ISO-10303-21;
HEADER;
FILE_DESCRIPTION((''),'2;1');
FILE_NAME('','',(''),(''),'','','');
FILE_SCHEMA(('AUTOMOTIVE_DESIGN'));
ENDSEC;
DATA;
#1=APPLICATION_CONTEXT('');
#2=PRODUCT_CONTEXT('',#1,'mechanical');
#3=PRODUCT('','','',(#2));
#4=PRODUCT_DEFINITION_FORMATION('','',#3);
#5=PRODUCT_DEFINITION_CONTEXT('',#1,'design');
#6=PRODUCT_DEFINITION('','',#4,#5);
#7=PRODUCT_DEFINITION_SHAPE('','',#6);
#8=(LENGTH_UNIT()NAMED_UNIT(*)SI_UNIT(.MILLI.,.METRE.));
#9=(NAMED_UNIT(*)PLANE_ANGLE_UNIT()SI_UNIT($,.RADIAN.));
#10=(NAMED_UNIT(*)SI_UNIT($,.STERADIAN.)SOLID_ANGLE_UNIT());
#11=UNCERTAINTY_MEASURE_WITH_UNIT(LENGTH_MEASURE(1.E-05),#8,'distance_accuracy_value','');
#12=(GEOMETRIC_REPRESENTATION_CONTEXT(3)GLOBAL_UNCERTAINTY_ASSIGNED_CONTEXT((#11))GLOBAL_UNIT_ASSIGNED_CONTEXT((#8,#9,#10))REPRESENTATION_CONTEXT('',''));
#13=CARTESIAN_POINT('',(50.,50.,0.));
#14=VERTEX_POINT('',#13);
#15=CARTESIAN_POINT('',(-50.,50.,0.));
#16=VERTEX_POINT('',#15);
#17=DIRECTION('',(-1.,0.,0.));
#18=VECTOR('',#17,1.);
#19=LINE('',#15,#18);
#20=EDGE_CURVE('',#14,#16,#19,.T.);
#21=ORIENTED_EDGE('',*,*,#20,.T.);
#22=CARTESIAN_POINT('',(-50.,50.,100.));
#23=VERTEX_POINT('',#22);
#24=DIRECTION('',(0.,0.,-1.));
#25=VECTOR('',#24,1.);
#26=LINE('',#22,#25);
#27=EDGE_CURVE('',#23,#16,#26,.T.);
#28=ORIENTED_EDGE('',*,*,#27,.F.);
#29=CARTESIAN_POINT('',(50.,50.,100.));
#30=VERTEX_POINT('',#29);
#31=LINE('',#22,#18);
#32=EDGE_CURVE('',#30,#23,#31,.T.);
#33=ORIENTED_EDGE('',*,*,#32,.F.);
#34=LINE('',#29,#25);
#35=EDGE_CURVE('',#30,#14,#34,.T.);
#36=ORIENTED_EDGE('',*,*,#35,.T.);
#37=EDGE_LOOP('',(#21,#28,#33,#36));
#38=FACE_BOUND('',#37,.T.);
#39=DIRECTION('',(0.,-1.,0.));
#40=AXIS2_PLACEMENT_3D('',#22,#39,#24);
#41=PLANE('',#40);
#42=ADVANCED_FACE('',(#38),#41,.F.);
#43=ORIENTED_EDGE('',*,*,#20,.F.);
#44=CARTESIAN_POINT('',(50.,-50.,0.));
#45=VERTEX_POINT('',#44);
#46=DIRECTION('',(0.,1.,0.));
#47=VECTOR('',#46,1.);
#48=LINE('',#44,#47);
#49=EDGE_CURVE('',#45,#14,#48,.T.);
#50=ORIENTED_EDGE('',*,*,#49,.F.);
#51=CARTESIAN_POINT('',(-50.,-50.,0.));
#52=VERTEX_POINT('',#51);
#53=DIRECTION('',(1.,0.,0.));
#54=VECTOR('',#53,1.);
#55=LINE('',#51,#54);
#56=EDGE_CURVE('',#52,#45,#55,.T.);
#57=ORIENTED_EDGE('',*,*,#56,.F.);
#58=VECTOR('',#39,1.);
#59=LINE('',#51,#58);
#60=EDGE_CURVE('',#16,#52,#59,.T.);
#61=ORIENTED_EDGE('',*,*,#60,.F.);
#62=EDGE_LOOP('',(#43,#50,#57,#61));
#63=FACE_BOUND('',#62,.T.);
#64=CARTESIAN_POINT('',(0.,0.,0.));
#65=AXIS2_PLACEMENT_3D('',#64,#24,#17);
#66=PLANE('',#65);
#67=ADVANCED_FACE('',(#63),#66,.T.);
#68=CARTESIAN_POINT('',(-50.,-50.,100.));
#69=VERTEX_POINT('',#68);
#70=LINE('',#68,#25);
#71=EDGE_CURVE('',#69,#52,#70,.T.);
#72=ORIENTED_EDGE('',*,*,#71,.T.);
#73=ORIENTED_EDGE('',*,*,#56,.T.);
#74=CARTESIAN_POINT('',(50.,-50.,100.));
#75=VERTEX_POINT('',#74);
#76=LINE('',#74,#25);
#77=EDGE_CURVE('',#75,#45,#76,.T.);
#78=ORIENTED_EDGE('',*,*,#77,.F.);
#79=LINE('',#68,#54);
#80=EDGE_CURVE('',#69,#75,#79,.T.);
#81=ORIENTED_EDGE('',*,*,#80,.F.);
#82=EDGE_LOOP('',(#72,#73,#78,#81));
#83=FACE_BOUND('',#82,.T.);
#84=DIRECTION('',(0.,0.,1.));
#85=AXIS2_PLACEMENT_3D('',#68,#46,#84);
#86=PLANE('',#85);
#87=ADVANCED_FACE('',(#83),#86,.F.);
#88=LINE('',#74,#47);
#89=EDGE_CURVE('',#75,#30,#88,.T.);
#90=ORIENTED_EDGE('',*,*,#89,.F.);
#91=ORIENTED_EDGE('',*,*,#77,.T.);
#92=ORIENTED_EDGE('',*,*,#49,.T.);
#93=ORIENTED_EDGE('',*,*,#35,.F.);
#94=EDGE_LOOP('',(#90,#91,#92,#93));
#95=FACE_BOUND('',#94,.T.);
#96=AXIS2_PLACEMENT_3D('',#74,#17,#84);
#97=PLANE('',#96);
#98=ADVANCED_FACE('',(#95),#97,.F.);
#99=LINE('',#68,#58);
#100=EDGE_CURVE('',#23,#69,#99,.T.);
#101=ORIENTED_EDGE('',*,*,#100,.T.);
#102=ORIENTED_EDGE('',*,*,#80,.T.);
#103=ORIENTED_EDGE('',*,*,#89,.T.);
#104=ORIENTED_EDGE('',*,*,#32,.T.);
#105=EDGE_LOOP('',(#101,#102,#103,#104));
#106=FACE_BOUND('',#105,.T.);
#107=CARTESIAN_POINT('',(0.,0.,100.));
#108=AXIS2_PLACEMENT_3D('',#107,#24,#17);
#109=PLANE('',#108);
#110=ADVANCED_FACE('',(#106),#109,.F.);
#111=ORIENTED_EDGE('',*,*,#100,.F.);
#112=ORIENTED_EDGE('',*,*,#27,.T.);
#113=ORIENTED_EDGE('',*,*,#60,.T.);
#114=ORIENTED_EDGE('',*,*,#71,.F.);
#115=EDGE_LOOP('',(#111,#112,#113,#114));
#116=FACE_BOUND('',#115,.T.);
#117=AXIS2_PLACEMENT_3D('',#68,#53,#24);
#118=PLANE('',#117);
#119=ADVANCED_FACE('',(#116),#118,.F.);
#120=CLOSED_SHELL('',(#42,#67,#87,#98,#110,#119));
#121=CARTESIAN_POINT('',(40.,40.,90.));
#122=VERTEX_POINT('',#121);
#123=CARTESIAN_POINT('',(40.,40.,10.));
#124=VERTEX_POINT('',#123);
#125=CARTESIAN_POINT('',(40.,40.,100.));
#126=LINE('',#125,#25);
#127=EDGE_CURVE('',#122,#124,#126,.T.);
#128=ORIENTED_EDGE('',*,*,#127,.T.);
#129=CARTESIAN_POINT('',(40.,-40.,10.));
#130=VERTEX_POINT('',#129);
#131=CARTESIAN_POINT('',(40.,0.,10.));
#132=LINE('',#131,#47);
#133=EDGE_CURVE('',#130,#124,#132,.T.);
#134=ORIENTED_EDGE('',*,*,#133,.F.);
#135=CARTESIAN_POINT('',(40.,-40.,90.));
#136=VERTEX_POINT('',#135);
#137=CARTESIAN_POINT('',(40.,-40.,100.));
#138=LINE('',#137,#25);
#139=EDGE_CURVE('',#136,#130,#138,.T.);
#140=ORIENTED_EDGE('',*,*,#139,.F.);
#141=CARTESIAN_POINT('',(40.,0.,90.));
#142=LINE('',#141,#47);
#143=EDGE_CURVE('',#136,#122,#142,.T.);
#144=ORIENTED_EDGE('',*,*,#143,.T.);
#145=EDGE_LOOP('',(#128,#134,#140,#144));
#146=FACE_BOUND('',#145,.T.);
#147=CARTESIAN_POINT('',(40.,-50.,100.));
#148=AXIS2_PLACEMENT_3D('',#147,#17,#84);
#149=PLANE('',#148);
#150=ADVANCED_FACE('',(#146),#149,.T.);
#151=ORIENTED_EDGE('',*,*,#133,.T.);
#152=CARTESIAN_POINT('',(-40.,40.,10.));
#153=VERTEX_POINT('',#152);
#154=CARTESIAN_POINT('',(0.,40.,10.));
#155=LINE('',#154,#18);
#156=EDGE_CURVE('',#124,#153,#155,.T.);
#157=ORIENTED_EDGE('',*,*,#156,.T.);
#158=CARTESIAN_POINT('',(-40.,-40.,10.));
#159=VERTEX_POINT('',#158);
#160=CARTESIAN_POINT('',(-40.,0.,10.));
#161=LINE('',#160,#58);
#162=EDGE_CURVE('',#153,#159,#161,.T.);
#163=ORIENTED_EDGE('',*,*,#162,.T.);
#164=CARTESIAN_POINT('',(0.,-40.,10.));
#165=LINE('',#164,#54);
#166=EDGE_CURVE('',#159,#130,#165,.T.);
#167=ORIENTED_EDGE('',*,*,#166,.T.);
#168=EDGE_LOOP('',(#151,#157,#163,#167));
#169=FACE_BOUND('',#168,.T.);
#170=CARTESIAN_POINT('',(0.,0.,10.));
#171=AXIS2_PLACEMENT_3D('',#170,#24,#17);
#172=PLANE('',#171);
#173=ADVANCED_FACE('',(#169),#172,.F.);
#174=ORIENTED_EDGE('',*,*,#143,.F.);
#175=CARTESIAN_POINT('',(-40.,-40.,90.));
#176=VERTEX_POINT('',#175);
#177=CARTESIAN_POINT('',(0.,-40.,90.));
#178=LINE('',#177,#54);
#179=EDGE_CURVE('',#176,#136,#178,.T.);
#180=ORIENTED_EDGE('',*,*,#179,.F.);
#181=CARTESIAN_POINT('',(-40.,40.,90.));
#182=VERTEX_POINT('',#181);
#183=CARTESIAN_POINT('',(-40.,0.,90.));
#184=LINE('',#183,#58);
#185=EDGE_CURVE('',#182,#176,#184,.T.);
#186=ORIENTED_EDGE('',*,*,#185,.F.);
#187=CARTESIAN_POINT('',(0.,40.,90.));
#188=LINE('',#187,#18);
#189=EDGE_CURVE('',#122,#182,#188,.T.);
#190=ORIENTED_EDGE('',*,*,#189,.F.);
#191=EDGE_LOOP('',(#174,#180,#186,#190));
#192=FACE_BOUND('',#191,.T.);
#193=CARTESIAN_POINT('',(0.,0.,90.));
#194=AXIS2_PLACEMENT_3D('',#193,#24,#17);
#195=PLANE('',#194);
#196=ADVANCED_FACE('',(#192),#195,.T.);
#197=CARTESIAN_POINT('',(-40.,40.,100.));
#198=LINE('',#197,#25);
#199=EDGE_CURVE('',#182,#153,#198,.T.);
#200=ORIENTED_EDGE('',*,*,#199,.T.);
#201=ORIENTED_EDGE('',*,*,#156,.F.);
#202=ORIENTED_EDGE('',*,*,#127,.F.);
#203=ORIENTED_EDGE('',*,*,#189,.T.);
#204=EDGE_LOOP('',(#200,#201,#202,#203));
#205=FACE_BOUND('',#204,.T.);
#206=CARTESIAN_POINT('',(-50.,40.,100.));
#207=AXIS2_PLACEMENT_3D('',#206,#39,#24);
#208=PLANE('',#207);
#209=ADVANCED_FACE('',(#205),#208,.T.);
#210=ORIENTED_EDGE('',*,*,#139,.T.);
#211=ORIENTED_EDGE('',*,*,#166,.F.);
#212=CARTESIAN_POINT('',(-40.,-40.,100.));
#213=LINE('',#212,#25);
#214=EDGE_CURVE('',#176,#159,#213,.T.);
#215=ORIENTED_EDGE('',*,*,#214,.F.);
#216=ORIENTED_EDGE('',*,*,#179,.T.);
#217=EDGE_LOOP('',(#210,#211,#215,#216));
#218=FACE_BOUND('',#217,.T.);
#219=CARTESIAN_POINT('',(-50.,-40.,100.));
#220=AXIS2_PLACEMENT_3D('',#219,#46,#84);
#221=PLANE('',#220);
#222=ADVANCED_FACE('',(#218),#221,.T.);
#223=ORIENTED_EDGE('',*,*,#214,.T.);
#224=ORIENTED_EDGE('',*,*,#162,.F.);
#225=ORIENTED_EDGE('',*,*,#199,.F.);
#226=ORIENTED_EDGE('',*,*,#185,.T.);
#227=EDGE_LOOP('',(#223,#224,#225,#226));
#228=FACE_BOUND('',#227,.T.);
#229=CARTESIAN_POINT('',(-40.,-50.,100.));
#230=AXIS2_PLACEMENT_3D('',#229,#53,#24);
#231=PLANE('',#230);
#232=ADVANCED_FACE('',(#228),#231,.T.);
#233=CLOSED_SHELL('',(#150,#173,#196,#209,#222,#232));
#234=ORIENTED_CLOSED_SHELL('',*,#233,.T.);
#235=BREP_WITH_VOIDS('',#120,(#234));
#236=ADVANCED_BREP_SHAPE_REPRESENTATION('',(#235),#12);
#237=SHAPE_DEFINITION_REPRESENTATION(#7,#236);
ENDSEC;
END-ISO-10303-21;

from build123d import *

# Parameters (mm, degrees)
SZKIC1_W                    = 100
SZKIC1_H                    = 100
DODANIE_WYCI_GNI_CIE1_DEPTH = 100
SKORUPA2_T                  = 10


with BuildPart() as part:
    # Szkic1 → Dodanie-wyciągnięcie1 (new body)
    with BuildSketch(Plane.XY):
        Rectangle(SZKIC1_W, SZKIC1_H)
    extrude(amount=DODANIE_WYCI_GNI_CIE1_DEPTH)

    # Skorupa2 (no face opened: a closed hollow body)
    add(offset(amount=-SKORUPA2_T, mode=Mode.PRIVATE), mode=Mode.SUBTRACT)


solid = part.part
